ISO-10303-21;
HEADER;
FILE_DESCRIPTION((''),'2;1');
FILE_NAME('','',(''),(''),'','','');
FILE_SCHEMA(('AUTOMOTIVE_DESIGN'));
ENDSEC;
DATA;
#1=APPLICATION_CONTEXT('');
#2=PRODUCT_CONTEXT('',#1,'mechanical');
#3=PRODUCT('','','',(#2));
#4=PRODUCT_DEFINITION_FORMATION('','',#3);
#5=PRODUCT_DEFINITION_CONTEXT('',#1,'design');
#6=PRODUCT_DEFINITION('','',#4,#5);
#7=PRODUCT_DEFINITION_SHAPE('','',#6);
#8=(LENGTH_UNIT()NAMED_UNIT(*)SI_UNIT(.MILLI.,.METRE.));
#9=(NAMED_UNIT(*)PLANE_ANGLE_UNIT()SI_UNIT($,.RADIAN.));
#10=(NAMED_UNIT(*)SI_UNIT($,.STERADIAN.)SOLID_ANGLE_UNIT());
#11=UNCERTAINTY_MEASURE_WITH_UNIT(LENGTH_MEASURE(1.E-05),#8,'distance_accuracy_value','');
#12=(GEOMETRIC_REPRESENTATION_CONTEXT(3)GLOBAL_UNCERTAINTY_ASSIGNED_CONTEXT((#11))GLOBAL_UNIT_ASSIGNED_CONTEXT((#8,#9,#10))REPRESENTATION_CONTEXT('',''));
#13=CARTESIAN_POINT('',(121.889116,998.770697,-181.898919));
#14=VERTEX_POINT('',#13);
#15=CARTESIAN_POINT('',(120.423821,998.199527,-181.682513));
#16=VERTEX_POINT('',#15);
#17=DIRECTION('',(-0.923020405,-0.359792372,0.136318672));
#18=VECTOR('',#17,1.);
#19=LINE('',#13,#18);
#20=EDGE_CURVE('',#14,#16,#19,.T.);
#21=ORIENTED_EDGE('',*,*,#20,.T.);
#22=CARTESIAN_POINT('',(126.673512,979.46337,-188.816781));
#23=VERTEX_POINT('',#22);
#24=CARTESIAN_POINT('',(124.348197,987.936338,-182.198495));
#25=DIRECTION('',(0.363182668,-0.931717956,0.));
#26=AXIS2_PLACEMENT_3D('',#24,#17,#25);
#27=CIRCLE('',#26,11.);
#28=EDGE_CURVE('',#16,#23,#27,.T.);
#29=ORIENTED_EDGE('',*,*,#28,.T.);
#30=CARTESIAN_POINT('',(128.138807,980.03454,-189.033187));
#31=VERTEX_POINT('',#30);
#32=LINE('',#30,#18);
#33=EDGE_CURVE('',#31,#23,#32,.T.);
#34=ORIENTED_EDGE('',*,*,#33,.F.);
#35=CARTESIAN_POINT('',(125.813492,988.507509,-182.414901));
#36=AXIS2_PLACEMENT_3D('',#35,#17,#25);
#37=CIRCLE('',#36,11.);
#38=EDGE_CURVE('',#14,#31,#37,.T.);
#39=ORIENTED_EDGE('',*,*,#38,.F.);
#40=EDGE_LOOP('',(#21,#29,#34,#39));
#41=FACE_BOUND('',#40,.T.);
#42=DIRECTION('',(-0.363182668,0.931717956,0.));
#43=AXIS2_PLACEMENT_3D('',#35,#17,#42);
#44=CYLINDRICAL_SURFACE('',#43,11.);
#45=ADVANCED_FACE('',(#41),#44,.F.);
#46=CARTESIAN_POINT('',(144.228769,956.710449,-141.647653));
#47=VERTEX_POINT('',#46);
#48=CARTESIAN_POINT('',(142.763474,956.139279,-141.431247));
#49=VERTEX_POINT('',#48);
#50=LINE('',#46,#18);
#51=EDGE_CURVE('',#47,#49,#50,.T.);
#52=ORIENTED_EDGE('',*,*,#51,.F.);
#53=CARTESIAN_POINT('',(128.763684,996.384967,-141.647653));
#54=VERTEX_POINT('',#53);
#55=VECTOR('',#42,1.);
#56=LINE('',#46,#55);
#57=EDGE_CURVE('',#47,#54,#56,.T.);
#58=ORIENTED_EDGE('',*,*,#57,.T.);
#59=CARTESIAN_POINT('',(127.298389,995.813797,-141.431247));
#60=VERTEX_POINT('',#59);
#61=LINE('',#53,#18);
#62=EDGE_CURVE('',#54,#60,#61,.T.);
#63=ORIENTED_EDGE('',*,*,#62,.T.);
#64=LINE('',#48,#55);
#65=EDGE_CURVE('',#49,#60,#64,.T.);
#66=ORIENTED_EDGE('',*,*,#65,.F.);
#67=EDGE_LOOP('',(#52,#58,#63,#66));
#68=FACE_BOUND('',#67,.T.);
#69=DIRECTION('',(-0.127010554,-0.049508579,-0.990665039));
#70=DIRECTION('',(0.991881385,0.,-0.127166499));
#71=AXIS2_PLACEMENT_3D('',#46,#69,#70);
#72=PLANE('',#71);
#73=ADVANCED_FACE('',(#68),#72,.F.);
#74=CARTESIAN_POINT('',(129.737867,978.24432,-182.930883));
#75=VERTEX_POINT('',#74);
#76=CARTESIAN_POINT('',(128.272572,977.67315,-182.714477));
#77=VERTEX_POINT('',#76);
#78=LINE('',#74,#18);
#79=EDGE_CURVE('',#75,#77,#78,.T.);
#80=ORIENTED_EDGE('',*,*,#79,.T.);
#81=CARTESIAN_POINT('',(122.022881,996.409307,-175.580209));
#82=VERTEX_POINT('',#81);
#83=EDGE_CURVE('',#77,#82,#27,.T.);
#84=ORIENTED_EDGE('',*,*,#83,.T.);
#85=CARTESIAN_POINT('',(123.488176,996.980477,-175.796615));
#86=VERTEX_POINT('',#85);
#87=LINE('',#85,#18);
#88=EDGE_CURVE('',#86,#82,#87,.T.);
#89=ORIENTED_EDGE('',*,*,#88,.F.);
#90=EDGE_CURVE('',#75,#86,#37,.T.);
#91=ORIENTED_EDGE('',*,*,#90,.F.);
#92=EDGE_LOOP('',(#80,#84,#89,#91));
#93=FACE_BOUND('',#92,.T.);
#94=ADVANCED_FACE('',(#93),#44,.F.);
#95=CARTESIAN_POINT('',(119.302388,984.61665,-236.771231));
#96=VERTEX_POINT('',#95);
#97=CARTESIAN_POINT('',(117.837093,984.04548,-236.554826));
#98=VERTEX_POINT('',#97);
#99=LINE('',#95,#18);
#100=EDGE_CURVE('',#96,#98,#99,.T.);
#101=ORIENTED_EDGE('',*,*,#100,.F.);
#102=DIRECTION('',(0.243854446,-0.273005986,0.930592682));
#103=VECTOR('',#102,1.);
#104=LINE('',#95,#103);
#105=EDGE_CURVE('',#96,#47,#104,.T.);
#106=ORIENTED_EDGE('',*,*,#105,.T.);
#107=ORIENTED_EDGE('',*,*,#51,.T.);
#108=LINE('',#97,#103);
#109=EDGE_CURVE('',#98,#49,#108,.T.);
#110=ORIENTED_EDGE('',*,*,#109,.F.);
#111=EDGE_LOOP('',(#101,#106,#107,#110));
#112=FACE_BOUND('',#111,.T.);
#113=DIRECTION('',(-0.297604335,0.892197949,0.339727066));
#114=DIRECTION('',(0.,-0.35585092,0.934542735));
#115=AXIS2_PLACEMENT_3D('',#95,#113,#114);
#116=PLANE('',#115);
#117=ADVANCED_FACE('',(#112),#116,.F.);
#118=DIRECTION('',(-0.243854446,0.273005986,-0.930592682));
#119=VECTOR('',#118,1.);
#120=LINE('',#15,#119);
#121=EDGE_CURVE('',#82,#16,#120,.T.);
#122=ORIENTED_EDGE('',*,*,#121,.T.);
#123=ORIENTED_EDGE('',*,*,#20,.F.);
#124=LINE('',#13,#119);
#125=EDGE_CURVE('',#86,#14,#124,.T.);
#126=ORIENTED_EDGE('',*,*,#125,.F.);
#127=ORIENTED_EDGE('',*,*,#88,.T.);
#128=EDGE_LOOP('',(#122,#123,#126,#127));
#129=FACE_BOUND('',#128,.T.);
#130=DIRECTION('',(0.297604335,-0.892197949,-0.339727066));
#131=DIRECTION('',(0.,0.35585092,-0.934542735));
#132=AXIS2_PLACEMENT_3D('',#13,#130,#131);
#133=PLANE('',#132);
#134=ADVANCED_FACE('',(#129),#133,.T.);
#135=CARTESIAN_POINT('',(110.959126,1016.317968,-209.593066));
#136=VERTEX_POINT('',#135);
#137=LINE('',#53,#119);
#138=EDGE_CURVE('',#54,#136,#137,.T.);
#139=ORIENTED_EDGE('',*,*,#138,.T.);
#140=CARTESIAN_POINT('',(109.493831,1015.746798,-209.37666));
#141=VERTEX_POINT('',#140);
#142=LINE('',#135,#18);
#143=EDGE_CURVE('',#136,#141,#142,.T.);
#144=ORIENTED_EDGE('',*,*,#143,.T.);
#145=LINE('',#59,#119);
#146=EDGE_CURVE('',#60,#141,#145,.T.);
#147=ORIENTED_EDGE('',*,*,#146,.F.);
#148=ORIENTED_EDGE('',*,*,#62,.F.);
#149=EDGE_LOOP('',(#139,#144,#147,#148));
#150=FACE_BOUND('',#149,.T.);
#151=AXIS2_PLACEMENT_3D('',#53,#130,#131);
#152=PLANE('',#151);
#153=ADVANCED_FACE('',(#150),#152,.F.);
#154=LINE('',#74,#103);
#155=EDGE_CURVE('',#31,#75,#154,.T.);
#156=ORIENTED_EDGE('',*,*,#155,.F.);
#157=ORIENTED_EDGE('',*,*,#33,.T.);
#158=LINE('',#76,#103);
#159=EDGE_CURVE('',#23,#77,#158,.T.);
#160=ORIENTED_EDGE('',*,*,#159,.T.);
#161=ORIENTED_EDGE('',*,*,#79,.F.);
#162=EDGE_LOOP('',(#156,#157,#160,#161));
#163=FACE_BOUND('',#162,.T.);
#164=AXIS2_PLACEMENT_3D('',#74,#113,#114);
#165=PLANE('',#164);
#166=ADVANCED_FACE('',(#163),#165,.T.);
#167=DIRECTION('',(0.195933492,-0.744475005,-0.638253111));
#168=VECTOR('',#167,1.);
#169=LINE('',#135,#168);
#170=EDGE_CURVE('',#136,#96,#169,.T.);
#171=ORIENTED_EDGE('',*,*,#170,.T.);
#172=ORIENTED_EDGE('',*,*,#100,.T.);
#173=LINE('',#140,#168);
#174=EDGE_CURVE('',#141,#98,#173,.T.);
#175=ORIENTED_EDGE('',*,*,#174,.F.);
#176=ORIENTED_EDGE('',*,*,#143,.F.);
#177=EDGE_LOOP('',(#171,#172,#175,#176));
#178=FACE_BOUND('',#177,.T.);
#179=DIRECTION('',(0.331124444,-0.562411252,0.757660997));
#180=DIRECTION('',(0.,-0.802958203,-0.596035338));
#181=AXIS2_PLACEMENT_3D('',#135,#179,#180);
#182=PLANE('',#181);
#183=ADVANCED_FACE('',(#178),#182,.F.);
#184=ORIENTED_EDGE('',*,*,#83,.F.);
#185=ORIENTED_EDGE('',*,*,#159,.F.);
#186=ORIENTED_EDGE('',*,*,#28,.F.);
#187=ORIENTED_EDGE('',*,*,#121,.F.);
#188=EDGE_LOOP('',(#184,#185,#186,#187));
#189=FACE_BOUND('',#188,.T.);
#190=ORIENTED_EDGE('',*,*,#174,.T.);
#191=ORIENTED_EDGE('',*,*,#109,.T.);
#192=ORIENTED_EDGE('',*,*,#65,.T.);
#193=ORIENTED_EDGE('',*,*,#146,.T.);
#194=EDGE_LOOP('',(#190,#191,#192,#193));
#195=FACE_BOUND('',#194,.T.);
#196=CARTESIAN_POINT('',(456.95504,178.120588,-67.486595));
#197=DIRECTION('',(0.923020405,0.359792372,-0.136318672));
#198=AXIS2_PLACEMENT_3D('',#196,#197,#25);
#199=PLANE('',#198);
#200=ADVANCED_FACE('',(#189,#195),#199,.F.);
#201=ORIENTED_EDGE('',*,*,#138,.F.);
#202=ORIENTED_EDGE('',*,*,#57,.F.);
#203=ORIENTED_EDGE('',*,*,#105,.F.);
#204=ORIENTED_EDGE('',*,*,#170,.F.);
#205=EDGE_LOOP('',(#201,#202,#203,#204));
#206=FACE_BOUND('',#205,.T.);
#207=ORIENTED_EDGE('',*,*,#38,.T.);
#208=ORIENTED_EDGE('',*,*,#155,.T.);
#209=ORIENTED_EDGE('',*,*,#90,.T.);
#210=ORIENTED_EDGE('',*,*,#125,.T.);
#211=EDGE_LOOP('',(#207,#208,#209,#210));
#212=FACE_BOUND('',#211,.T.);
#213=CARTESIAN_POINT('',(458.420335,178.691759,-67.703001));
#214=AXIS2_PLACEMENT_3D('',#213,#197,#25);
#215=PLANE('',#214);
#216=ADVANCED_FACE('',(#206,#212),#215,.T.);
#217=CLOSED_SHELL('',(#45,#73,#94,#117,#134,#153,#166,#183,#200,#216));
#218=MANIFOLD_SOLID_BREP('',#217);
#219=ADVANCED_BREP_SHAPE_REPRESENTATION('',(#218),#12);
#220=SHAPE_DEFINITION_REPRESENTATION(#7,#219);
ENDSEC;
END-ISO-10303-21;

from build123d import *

# Parameters (mm, degrees)
BOSS_EXTRUDE1_DEPTH = 1.5875


with BuildPart() as part:
    # Sketch40 → Boss-Extrude1 (new body)
    with BuildSketch(Plane(origin=(-456.955039877, 178.120588246, -67.48659487), x_dir=(-0.1270105543825624, 0.04950857893190621, 0.9906650390962515), z_dir=(-0.9230204054682253, 0.35979237176022855, -0.13631867191409483))):
        Polygon((-143.227084656, 906.623268698), (-170.661347691, 874.056453533), (-74.641427067, 839.002915601), (-74.641427067, 881.585027318), align=None)
        with BuildLine():
            Line((-115.271977523, 886.304578524), (-109.11217167, 884.055847358))
            ThreePointArc((-109.11217167, 884.055847358), (-105.459844174, 871.54470512), (-116.313665717, 864.329254051))
            Line((-116.313665717, 864.329254051), (-122.47347157, 866.577985217))
            ThreePointArc((-122.47347157, 866.577985217), (-126.125799067, 879.089127455), (-115.271977523, 886.304578524))
        make_face(mode=Mode.SUBTRACT)
    extrude(amount=BOSS_EXTRUDE1_DEPTH)


with BuildPart() as body_2:
    # Mirror2: mirrored copy
    add(part.part.mirror(Plane(origin=(0, 0, 0), x_dir=(0, 0, 1), z_dir=(1, 0, 0))))


solid = body_2.part
